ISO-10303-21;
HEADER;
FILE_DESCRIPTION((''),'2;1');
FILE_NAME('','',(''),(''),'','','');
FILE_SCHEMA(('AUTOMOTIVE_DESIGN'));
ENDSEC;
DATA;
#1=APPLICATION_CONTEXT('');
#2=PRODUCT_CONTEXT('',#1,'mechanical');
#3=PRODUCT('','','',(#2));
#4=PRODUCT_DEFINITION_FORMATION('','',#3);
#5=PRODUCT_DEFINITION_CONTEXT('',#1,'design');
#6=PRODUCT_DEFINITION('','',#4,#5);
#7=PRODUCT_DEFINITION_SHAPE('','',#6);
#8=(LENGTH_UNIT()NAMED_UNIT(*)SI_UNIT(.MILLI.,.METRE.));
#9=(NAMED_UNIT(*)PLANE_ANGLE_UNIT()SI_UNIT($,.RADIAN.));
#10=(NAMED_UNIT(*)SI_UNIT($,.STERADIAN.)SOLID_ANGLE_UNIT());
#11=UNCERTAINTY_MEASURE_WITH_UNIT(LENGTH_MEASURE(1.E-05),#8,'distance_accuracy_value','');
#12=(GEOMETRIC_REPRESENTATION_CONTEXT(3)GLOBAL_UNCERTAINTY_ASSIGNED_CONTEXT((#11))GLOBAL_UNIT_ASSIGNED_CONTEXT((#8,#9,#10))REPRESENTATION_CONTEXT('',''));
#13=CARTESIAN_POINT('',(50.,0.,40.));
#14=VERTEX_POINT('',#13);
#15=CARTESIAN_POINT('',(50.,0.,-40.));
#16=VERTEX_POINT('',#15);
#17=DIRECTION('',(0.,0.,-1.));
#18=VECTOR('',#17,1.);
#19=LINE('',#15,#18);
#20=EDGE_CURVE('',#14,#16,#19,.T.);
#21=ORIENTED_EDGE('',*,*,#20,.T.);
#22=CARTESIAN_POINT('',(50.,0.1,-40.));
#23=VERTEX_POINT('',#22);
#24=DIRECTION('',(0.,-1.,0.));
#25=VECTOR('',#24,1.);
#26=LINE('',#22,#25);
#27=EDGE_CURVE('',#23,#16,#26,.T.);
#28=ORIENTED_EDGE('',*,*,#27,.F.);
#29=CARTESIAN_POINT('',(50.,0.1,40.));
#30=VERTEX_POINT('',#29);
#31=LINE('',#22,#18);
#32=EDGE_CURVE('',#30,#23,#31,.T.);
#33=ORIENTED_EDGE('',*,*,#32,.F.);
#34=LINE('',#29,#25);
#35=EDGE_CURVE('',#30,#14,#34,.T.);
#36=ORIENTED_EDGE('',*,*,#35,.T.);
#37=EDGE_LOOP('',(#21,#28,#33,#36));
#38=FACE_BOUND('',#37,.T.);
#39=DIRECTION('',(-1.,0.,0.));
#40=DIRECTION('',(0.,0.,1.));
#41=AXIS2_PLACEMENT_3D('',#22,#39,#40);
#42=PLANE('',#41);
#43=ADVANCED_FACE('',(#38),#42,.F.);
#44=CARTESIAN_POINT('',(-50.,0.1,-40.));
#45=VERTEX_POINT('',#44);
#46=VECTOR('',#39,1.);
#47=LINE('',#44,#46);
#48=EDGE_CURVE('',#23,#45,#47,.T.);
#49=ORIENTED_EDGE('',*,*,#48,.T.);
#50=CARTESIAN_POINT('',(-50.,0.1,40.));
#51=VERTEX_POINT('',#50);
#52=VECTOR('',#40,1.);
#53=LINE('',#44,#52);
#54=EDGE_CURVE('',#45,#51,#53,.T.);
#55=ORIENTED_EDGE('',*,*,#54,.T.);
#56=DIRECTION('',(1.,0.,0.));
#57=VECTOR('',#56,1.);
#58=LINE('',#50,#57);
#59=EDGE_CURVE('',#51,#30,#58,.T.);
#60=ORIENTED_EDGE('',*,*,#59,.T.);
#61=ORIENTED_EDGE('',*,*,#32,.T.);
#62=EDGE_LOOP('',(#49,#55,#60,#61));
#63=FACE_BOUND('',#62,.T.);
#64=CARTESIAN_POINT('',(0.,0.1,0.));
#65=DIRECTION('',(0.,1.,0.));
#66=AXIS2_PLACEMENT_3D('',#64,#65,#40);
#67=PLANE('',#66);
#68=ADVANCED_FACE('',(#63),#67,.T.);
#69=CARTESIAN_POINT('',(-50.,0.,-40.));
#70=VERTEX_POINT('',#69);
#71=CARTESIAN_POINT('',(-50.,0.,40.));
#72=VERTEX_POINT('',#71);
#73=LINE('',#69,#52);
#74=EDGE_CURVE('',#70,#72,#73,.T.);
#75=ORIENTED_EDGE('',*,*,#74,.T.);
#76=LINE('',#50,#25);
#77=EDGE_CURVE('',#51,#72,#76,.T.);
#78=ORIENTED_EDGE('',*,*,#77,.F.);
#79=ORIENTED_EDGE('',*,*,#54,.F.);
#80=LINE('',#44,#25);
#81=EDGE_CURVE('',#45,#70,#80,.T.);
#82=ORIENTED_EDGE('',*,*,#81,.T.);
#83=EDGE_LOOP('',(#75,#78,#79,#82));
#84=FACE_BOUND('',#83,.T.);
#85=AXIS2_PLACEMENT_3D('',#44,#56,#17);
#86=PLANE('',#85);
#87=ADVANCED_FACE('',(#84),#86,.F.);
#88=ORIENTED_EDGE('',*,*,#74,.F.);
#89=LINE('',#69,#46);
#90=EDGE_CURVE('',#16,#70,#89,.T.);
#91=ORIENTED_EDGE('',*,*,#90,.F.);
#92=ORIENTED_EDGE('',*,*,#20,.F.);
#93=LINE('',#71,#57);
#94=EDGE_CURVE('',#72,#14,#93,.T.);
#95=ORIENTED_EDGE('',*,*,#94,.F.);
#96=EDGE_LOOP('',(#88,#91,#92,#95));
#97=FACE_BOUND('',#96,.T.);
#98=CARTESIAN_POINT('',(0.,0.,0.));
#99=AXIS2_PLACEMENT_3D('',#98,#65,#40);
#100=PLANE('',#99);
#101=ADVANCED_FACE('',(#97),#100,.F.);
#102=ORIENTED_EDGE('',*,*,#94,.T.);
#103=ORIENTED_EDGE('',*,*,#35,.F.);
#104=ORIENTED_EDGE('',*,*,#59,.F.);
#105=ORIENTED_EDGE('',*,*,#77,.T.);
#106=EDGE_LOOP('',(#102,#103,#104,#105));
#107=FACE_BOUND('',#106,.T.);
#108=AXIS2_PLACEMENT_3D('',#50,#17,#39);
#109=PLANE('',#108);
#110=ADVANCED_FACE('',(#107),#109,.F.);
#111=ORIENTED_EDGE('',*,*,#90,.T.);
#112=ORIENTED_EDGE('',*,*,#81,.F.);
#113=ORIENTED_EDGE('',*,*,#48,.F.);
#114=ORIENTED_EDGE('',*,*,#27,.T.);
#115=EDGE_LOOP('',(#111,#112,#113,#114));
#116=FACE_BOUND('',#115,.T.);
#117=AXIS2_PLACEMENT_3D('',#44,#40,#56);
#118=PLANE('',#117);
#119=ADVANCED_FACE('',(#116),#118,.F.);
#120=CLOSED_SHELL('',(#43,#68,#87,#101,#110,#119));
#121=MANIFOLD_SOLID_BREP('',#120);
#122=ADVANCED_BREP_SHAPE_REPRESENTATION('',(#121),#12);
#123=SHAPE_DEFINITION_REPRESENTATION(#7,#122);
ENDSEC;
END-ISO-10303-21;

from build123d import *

# Parameters (mm, degrees)
SKETCH_1_W      = 100
SKETCH_1_H      = 80
EXTRUDE_1_DEPTH = 0.1


with BuildPart() as part:
    # 草图1 → 凸台-拉伸1 (new body)
    with BuildSketch(Plane(origin=(0, 0, 0), x_dir=(1, 0, 0), z_dir=(0, 1, 0))):
        Rectangle(SKETCH_1_W, SKETCH_1_H)
    extrude(amount=EXTRUDE_1_DEPTH)


solid = part.part
